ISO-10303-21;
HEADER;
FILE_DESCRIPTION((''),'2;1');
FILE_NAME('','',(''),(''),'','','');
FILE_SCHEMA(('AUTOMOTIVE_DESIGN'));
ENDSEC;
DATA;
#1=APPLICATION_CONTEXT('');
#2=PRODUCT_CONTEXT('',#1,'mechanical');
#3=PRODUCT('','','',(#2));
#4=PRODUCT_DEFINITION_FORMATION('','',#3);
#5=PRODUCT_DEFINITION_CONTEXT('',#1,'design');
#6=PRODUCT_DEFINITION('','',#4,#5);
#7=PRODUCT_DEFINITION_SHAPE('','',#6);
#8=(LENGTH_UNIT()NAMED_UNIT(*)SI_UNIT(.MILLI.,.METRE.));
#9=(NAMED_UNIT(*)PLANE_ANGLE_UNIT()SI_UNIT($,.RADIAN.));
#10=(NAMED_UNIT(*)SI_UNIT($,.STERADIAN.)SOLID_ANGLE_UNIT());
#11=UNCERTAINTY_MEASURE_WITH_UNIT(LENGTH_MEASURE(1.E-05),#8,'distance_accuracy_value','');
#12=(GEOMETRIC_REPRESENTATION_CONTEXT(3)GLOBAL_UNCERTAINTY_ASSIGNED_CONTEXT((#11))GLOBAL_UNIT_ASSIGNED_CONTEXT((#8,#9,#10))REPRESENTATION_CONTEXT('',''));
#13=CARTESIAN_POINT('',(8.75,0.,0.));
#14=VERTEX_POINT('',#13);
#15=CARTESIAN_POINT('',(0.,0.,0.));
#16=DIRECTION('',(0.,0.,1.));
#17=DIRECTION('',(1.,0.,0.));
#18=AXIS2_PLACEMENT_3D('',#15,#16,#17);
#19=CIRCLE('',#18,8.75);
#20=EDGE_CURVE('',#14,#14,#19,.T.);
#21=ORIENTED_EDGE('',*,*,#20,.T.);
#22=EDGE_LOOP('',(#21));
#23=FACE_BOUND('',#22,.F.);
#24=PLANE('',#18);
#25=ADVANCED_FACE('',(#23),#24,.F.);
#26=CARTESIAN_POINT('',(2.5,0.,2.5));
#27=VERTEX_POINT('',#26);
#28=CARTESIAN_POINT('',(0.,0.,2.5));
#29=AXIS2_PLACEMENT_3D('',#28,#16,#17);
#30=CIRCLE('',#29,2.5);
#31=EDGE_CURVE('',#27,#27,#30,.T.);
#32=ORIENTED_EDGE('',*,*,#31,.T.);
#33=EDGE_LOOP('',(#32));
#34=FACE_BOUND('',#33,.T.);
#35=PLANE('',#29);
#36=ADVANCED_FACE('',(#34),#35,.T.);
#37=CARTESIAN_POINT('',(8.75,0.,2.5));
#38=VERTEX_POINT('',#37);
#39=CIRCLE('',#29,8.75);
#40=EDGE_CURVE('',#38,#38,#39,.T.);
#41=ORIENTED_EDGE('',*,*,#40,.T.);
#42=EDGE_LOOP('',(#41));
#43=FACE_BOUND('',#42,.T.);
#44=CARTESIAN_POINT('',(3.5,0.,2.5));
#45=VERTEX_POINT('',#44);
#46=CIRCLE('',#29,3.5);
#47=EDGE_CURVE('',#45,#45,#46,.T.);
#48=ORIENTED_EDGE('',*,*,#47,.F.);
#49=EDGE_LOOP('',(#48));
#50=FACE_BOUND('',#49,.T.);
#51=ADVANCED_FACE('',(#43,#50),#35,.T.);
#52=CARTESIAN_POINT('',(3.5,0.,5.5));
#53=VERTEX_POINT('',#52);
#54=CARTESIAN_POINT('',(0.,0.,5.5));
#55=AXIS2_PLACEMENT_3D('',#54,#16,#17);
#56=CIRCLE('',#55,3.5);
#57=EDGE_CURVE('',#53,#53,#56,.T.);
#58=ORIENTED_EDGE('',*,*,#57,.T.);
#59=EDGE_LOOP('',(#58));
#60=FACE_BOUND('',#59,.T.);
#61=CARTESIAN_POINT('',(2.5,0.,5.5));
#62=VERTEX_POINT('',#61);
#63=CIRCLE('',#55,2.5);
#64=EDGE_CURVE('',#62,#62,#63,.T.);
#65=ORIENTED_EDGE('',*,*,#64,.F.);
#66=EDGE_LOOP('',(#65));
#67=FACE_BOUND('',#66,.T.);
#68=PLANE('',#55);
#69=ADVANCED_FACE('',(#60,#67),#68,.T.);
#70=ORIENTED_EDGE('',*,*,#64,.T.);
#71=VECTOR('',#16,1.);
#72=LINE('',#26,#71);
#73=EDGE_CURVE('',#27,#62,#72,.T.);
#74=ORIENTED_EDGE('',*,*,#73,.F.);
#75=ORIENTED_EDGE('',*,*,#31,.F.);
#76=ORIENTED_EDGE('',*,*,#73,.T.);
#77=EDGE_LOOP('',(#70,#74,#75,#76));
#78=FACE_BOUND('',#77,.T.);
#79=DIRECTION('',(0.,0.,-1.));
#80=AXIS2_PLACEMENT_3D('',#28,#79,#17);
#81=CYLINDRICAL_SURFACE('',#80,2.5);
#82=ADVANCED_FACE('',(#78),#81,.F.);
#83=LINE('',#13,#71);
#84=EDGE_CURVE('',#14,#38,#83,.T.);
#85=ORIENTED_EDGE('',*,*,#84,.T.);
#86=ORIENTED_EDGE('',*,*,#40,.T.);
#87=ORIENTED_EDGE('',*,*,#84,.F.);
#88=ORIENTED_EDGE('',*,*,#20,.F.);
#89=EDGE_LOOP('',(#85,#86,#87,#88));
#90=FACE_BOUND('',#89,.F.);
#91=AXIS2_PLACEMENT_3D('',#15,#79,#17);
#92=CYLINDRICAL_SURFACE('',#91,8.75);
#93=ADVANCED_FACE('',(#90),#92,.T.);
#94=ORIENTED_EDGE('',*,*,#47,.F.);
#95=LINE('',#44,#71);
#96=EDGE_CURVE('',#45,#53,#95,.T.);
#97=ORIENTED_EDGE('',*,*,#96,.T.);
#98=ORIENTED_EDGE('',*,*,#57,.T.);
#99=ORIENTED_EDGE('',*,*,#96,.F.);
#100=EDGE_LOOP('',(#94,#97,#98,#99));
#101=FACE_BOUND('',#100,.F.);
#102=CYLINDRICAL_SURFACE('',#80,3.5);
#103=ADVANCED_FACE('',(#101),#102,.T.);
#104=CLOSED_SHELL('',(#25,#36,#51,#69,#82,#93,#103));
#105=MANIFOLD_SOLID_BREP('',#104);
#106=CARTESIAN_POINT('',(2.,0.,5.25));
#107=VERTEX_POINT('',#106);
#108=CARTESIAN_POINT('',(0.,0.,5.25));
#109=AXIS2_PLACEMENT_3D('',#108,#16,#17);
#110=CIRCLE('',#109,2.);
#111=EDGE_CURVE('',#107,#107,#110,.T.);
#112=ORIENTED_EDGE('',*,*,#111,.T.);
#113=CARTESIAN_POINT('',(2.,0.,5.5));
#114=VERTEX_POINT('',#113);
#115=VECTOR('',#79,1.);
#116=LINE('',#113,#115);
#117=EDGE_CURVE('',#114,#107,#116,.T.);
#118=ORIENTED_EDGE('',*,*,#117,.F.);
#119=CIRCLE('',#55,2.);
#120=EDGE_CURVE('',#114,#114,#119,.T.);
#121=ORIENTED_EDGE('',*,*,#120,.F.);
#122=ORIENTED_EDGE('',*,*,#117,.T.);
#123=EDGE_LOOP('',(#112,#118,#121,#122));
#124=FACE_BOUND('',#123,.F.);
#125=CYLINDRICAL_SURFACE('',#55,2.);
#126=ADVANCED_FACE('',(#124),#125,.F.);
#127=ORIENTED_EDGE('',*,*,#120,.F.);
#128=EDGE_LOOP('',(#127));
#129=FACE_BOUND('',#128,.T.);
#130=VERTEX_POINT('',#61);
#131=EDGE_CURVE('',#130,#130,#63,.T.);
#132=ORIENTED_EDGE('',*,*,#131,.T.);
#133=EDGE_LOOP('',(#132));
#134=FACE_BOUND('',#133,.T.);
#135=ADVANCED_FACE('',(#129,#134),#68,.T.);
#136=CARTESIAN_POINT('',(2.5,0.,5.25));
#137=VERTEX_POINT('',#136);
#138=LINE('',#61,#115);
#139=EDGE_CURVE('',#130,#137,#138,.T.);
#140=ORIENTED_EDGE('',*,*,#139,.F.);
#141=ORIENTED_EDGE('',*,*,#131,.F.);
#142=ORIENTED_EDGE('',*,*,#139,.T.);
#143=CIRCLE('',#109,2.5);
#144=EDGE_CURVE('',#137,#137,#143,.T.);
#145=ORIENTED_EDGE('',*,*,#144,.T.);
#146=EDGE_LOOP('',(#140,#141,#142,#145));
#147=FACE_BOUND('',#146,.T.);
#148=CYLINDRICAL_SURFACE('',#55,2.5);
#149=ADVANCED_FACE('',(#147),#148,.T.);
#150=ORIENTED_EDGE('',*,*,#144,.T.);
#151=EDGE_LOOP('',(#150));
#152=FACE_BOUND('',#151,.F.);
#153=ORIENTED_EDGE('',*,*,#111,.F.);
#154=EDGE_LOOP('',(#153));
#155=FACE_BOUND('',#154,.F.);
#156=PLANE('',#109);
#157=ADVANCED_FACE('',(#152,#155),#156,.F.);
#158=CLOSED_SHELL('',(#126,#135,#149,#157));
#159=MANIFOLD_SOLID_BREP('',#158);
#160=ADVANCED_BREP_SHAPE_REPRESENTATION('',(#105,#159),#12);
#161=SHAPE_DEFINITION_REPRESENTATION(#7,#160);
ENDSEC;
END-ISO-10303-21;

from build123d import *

# Parameters (mm, degrees)
F0_R     = 8.75
F1_DEPTH = 2.5
F2_R     = 3.5
F2_R_2   = 2.5
F3_DEPTH = 3
F4_R     = 2.5
F4_R_2   = 2
F5_DEPTH = 0.25


with BuildPart() as f1:
    # F0 (on Top) → F1 (new body)
    with BuildSketch(Plane.XY):
        Circle(F0_R)
    extrude(amount=F1_DEPTH)

    # F2 (on face) → F3 (join)
    with BuildSketch(Plane.XY.offset(2.5)):
        Circle(F2_R)
        Circle(F2_R_2, mode=Mode.SUBTRACT)
    extrude(amount=F3_DEPTH)


with BuildPart() as f5:
    # F4 (on face) → F5 (new body)
    with BuildSketch(Plane.XY.offset(5.5)):
        Circle(F4_R)
        Circle(F4_R_2, mode=Mode.SUBTRACT)
    extrude(amount=-F5_DEPTH)


solid = Compound([f1.part, f5.part])
